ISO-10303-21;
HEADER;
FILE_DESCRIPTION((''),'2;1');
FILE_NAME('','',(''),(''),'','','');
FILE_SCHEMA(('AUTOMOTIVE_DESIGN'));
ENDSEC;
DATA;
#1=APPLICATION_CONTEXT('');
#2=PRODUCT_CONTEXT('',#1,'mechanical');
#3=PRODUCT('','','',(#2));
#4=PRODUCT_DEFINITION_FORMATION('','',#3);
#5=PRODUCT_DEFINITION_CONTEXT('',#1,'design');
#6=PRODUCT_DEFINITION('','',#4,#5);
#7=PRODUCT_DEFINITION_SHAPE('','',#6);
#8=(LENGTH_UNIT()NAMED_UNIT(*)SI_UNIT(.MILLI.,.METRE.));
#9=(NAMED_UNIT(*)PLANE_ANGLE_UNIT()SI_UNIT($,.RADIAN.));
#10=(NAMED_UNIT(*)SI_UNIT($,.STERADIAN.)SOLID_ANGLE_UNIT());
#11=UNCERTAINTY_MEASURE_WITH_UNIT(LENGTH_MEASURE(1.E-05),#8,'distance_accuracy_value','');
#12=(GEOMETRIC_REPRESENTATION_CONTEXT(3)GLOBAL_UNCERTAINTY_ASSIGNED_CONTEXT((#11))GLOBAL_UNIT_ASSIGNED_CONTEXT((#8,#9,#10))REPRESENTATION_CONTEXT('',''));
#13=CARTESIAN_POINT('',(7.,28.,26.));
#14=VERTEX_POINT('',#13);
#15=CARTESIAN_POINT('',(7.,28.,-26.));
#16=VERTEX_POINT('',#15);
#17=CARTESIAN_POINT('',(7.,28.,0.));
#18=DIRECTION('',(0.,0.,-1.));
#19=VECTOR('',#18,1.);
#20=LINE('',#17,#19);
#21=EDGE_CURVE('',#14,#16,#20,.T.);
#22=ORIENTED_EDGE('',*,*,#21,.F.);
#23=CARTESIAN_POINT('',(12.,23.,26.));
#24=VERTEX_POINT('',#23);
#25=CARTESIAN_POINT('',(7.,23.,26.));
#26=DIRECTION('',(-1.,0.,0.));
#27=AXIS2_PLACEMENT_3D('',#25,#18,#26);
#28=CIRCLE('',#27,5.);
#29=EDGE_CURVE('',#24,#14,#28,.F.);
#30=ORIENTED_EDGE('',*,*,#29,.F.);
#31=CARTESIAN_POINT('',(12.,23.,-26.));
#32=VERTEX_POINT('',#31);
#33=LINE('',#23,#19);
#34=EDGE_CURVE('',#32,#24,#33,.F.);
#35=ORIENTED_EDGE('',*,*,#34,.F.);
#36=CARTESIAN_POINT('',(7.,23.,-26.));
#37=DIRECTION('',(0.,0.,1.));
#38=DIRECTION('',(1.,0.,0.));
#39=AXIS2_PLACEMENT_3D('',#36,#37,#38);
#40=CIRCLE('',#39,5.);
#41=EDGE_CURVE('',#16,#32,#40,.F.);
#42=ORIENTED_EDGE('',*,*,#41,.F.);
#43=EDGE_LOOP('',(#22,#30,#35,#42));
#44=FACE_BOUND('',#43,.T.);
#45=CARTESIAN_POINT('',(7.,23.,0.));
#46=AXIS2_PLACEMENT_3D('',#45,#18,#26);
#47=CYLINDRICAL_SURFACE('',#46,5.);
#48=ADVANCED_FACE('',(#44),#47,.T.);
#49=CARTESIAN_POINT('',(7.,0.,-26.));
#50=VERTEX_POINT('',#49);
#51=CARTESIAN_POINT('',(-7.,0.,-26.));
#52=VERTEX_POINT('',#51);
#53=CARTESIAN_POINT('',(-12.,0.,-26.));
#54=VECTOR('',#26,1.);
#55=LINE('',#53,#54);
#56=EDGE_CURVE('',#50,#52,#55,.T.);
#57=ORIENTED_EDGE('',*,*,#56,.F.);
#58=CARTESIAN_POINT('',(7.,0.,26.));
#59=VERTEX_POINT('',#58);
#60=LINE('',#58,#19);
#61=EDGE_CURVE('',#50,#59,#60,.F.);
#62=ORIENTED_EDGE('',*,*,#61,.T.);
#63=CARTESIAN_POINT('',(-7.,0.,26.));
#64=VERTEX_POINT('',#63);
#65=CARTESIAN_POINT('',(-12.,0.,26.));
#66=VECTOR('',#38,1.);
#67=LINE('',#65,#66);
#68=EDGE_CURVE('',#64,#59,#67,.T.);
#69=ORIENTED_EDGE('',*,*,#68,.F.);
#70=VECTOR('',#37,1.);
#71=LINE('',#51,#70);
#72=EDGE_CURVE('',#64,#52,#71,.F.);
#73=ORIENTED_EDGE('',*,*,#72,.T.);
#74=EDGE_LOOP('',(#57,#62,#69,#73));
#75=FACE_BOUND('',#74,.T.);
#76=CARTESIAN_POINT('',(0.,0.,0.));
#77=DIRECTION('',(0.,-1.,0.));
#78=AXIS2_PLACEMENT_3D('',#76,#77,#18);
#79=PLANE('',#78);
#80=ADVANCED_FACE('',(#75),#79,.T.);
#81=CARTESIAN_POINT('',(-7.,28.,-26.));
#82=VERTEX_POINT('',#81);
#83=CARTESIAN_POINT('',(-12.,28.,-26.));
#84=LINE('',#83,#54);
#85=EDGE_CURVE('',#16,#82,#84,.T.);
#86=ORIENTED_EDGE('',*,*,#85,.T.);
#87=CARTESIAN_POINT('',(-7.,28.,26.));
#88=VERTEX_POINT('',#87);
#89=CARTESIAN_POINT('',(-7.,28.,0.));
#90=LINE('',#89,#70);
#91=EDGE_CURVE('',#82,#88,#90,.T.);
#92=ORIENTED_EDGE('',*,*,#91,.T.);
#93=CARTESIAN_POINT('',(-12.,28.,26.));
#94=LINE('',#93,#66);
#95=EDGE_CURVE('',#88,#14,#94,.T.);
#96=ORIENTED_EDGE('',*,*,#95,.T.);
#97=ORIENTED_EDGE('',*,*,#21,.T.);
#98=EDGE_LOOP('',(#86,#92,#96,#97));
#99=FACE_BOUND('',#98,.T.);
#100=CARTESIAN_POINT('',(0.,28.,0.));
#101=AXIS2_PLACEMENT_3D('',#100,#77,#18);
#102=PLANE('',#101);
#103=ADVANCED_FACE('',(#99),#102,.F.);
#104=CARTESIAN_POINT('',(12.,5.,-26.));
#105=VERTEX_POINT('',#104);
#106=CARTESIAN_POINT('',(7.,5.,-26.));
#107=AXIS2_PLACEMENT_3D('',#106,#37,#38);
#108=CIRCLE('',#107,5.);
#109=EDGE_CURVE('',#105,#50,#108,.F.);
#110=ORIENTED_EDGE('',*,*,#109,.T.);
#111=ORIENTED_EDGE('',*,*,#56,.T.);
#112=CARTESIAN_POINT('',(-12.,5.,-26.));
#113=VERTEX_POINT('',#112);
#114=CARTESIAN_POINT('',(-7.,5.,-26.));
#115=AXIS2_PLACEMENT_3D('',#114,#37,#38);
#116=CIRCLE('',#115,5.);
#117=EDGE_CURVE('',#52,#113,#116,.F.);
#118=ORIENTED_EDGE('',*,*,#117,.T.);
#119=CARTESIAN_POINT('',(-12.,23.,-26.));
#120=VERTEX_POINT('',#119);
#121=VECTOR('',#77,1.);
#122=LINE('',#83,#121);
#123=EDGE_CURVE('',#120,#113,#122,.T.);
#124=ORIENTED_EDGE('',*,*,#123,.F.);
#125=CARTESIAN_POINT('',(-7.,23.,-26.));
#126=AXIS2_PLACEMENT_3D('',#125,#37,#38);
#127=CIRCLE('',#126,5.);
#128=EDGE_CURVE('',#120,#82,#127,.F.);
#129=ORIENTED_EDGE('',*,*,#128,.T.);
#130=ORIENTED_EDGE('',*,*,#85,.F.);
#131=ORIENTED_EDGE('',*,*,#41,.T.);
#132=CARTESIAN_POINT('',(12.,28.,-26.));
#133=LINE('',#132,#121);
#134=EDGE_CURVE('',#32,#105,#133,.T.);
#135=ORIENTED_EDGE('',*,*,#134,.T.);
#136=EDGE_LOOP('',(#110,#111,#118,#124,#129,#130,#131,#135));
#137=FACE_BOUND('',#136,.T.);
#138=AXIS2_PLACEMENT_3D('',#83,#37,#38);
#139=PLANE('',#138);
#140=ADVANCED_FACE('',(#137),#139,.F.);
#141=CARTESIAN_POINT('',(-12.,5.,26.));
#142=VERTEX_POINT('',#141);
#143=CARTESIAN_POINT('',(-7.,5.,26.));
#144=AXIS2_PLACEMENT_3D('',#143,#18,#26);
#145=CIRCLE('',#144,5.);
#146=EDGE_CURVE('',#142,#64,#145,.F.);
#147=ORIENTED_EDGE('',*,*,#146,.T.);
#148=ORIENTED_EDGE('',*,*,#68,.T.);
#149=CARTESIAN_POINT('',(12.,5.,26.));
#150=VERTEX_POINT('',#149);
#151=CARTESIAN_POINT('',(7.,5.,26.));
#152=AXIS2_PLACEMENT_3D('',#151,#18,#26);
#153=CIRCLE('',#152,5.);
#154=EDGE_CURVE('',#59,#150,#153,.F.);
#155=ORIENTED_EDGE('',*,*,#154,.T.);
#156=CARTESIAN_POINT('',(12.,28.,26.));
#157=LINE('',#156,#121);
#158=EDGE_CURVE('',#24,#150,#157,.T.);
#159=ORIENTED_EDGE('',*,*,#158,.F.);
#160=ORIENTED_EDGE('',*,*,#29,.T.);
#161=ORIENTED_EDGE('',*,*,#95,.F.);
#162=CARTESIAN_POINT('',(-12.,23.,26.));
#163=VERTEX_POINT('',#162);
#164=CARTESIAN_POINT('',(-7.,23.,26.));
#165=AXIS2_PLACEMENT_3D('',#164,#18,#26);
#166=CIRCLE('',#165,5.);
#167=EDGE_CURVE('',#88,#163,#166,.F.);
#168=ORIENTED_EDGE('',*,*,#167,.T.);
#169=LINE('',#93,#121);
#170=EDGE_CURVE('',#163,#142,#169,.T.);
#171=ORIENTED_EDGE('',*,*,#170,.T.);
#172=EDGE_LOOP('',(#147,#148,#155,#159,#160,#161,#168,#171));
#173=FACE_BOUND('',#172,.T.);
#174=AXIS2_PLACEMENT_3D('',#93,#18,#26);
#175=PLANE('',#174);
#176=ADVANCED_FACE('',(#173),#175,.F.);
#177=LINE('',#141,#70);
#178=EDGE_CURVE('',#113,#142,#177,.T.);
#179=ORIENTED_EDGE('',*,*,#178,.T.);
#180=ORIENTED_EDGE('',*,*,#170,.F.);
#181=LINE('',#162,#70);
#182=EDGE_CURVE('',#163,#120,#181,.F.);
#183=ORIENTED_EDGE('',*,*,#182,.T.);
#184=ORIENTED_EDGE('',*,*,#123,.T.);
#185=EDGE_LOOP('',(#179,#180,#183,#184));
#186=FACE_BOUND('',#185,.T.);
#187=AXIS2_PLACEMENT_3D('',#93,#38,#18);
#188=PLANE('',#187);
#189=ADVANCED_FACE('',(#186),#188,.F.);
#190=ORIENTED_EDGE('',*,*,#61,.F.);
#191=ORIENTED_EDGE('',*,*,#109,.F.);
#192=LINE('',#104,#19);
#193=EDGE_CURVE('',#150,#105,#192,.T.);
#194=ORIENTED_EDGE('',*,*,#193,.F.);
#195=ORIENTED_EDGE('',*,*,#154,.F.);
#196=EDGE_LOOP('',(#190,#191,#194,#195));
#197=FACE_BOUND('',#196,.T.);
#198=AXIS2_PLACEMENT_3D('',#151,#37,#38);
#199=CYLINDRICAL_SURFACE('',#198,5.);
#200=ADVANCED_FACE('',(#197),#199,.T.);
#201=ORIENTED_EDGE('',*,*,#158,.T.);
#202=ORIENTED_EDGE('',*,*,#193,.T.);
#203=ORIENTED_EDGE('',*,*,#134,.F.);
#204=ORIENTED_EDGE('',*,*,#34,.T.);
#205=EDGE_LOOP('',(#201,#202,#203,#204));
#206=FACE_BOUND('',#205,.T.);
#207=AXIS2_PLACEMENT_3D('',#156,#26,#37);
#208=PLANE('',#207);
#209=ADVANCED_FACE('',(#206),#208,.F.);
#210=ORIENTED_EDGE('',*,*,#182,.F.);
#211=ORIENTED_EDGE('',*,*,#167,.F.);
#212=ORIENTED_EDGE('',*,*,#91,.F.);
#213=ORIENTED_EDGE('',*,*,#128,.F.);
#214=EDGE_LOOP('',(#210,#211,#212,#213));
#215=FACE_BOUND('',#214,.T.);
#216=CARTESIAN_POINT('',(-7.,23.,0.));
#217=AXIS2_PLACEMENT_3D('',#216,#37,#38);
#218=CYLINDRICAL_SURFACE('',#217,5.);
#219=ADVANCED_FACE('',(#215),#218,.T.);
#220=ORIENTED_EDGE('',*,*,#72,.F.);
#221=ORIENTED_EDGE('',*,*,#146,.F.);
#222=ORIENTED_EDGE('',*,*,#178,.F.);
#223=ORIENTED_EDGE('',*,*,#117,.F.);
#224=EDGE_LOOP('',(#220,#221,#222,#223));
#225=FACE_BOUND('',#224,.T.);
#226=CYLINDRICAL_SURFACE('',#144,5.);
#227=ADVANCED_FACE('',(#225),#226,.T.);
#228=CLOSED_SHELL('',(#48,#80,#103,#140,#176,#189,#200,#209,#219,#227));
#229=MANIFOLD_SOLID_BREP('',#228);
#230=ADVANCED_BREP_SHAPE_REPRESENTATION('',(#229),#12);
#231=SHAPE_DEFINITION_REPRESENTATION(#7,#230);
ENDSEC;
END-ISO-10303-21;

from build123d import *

# Parameters (mm, degrees)
SKETCH1_W           = 24
SKETCH1_H           = 52
BOSS_EXTRUDE1_DEPTH = 28
FILLET1_R           = 5


with BuildPart() as part:
    # Sketch1 → Boss-Extrude1 (new body)
    with BuildSketch(Plane(origin=(0, 0, 0), x_dir=(1, 0, 0), z_dir=(0, 1, 0))):
        Rectangle(SKETCH1_W, SKETCH1_H)
    extrude(amount=BOSS_EXTRUDE1_DEPTH)

    # Fillet1
    fillet1_edges = [part.edges().sort_by_distance(p)[0] for p in [
        (-12, 28, 0),
        (12, 28, 0),
        (-12, 0, 0),
        (12, 0, 0),
    ]]
    fillet(fillet1_edges, radius=FILLET1_R)


solid = part.part
